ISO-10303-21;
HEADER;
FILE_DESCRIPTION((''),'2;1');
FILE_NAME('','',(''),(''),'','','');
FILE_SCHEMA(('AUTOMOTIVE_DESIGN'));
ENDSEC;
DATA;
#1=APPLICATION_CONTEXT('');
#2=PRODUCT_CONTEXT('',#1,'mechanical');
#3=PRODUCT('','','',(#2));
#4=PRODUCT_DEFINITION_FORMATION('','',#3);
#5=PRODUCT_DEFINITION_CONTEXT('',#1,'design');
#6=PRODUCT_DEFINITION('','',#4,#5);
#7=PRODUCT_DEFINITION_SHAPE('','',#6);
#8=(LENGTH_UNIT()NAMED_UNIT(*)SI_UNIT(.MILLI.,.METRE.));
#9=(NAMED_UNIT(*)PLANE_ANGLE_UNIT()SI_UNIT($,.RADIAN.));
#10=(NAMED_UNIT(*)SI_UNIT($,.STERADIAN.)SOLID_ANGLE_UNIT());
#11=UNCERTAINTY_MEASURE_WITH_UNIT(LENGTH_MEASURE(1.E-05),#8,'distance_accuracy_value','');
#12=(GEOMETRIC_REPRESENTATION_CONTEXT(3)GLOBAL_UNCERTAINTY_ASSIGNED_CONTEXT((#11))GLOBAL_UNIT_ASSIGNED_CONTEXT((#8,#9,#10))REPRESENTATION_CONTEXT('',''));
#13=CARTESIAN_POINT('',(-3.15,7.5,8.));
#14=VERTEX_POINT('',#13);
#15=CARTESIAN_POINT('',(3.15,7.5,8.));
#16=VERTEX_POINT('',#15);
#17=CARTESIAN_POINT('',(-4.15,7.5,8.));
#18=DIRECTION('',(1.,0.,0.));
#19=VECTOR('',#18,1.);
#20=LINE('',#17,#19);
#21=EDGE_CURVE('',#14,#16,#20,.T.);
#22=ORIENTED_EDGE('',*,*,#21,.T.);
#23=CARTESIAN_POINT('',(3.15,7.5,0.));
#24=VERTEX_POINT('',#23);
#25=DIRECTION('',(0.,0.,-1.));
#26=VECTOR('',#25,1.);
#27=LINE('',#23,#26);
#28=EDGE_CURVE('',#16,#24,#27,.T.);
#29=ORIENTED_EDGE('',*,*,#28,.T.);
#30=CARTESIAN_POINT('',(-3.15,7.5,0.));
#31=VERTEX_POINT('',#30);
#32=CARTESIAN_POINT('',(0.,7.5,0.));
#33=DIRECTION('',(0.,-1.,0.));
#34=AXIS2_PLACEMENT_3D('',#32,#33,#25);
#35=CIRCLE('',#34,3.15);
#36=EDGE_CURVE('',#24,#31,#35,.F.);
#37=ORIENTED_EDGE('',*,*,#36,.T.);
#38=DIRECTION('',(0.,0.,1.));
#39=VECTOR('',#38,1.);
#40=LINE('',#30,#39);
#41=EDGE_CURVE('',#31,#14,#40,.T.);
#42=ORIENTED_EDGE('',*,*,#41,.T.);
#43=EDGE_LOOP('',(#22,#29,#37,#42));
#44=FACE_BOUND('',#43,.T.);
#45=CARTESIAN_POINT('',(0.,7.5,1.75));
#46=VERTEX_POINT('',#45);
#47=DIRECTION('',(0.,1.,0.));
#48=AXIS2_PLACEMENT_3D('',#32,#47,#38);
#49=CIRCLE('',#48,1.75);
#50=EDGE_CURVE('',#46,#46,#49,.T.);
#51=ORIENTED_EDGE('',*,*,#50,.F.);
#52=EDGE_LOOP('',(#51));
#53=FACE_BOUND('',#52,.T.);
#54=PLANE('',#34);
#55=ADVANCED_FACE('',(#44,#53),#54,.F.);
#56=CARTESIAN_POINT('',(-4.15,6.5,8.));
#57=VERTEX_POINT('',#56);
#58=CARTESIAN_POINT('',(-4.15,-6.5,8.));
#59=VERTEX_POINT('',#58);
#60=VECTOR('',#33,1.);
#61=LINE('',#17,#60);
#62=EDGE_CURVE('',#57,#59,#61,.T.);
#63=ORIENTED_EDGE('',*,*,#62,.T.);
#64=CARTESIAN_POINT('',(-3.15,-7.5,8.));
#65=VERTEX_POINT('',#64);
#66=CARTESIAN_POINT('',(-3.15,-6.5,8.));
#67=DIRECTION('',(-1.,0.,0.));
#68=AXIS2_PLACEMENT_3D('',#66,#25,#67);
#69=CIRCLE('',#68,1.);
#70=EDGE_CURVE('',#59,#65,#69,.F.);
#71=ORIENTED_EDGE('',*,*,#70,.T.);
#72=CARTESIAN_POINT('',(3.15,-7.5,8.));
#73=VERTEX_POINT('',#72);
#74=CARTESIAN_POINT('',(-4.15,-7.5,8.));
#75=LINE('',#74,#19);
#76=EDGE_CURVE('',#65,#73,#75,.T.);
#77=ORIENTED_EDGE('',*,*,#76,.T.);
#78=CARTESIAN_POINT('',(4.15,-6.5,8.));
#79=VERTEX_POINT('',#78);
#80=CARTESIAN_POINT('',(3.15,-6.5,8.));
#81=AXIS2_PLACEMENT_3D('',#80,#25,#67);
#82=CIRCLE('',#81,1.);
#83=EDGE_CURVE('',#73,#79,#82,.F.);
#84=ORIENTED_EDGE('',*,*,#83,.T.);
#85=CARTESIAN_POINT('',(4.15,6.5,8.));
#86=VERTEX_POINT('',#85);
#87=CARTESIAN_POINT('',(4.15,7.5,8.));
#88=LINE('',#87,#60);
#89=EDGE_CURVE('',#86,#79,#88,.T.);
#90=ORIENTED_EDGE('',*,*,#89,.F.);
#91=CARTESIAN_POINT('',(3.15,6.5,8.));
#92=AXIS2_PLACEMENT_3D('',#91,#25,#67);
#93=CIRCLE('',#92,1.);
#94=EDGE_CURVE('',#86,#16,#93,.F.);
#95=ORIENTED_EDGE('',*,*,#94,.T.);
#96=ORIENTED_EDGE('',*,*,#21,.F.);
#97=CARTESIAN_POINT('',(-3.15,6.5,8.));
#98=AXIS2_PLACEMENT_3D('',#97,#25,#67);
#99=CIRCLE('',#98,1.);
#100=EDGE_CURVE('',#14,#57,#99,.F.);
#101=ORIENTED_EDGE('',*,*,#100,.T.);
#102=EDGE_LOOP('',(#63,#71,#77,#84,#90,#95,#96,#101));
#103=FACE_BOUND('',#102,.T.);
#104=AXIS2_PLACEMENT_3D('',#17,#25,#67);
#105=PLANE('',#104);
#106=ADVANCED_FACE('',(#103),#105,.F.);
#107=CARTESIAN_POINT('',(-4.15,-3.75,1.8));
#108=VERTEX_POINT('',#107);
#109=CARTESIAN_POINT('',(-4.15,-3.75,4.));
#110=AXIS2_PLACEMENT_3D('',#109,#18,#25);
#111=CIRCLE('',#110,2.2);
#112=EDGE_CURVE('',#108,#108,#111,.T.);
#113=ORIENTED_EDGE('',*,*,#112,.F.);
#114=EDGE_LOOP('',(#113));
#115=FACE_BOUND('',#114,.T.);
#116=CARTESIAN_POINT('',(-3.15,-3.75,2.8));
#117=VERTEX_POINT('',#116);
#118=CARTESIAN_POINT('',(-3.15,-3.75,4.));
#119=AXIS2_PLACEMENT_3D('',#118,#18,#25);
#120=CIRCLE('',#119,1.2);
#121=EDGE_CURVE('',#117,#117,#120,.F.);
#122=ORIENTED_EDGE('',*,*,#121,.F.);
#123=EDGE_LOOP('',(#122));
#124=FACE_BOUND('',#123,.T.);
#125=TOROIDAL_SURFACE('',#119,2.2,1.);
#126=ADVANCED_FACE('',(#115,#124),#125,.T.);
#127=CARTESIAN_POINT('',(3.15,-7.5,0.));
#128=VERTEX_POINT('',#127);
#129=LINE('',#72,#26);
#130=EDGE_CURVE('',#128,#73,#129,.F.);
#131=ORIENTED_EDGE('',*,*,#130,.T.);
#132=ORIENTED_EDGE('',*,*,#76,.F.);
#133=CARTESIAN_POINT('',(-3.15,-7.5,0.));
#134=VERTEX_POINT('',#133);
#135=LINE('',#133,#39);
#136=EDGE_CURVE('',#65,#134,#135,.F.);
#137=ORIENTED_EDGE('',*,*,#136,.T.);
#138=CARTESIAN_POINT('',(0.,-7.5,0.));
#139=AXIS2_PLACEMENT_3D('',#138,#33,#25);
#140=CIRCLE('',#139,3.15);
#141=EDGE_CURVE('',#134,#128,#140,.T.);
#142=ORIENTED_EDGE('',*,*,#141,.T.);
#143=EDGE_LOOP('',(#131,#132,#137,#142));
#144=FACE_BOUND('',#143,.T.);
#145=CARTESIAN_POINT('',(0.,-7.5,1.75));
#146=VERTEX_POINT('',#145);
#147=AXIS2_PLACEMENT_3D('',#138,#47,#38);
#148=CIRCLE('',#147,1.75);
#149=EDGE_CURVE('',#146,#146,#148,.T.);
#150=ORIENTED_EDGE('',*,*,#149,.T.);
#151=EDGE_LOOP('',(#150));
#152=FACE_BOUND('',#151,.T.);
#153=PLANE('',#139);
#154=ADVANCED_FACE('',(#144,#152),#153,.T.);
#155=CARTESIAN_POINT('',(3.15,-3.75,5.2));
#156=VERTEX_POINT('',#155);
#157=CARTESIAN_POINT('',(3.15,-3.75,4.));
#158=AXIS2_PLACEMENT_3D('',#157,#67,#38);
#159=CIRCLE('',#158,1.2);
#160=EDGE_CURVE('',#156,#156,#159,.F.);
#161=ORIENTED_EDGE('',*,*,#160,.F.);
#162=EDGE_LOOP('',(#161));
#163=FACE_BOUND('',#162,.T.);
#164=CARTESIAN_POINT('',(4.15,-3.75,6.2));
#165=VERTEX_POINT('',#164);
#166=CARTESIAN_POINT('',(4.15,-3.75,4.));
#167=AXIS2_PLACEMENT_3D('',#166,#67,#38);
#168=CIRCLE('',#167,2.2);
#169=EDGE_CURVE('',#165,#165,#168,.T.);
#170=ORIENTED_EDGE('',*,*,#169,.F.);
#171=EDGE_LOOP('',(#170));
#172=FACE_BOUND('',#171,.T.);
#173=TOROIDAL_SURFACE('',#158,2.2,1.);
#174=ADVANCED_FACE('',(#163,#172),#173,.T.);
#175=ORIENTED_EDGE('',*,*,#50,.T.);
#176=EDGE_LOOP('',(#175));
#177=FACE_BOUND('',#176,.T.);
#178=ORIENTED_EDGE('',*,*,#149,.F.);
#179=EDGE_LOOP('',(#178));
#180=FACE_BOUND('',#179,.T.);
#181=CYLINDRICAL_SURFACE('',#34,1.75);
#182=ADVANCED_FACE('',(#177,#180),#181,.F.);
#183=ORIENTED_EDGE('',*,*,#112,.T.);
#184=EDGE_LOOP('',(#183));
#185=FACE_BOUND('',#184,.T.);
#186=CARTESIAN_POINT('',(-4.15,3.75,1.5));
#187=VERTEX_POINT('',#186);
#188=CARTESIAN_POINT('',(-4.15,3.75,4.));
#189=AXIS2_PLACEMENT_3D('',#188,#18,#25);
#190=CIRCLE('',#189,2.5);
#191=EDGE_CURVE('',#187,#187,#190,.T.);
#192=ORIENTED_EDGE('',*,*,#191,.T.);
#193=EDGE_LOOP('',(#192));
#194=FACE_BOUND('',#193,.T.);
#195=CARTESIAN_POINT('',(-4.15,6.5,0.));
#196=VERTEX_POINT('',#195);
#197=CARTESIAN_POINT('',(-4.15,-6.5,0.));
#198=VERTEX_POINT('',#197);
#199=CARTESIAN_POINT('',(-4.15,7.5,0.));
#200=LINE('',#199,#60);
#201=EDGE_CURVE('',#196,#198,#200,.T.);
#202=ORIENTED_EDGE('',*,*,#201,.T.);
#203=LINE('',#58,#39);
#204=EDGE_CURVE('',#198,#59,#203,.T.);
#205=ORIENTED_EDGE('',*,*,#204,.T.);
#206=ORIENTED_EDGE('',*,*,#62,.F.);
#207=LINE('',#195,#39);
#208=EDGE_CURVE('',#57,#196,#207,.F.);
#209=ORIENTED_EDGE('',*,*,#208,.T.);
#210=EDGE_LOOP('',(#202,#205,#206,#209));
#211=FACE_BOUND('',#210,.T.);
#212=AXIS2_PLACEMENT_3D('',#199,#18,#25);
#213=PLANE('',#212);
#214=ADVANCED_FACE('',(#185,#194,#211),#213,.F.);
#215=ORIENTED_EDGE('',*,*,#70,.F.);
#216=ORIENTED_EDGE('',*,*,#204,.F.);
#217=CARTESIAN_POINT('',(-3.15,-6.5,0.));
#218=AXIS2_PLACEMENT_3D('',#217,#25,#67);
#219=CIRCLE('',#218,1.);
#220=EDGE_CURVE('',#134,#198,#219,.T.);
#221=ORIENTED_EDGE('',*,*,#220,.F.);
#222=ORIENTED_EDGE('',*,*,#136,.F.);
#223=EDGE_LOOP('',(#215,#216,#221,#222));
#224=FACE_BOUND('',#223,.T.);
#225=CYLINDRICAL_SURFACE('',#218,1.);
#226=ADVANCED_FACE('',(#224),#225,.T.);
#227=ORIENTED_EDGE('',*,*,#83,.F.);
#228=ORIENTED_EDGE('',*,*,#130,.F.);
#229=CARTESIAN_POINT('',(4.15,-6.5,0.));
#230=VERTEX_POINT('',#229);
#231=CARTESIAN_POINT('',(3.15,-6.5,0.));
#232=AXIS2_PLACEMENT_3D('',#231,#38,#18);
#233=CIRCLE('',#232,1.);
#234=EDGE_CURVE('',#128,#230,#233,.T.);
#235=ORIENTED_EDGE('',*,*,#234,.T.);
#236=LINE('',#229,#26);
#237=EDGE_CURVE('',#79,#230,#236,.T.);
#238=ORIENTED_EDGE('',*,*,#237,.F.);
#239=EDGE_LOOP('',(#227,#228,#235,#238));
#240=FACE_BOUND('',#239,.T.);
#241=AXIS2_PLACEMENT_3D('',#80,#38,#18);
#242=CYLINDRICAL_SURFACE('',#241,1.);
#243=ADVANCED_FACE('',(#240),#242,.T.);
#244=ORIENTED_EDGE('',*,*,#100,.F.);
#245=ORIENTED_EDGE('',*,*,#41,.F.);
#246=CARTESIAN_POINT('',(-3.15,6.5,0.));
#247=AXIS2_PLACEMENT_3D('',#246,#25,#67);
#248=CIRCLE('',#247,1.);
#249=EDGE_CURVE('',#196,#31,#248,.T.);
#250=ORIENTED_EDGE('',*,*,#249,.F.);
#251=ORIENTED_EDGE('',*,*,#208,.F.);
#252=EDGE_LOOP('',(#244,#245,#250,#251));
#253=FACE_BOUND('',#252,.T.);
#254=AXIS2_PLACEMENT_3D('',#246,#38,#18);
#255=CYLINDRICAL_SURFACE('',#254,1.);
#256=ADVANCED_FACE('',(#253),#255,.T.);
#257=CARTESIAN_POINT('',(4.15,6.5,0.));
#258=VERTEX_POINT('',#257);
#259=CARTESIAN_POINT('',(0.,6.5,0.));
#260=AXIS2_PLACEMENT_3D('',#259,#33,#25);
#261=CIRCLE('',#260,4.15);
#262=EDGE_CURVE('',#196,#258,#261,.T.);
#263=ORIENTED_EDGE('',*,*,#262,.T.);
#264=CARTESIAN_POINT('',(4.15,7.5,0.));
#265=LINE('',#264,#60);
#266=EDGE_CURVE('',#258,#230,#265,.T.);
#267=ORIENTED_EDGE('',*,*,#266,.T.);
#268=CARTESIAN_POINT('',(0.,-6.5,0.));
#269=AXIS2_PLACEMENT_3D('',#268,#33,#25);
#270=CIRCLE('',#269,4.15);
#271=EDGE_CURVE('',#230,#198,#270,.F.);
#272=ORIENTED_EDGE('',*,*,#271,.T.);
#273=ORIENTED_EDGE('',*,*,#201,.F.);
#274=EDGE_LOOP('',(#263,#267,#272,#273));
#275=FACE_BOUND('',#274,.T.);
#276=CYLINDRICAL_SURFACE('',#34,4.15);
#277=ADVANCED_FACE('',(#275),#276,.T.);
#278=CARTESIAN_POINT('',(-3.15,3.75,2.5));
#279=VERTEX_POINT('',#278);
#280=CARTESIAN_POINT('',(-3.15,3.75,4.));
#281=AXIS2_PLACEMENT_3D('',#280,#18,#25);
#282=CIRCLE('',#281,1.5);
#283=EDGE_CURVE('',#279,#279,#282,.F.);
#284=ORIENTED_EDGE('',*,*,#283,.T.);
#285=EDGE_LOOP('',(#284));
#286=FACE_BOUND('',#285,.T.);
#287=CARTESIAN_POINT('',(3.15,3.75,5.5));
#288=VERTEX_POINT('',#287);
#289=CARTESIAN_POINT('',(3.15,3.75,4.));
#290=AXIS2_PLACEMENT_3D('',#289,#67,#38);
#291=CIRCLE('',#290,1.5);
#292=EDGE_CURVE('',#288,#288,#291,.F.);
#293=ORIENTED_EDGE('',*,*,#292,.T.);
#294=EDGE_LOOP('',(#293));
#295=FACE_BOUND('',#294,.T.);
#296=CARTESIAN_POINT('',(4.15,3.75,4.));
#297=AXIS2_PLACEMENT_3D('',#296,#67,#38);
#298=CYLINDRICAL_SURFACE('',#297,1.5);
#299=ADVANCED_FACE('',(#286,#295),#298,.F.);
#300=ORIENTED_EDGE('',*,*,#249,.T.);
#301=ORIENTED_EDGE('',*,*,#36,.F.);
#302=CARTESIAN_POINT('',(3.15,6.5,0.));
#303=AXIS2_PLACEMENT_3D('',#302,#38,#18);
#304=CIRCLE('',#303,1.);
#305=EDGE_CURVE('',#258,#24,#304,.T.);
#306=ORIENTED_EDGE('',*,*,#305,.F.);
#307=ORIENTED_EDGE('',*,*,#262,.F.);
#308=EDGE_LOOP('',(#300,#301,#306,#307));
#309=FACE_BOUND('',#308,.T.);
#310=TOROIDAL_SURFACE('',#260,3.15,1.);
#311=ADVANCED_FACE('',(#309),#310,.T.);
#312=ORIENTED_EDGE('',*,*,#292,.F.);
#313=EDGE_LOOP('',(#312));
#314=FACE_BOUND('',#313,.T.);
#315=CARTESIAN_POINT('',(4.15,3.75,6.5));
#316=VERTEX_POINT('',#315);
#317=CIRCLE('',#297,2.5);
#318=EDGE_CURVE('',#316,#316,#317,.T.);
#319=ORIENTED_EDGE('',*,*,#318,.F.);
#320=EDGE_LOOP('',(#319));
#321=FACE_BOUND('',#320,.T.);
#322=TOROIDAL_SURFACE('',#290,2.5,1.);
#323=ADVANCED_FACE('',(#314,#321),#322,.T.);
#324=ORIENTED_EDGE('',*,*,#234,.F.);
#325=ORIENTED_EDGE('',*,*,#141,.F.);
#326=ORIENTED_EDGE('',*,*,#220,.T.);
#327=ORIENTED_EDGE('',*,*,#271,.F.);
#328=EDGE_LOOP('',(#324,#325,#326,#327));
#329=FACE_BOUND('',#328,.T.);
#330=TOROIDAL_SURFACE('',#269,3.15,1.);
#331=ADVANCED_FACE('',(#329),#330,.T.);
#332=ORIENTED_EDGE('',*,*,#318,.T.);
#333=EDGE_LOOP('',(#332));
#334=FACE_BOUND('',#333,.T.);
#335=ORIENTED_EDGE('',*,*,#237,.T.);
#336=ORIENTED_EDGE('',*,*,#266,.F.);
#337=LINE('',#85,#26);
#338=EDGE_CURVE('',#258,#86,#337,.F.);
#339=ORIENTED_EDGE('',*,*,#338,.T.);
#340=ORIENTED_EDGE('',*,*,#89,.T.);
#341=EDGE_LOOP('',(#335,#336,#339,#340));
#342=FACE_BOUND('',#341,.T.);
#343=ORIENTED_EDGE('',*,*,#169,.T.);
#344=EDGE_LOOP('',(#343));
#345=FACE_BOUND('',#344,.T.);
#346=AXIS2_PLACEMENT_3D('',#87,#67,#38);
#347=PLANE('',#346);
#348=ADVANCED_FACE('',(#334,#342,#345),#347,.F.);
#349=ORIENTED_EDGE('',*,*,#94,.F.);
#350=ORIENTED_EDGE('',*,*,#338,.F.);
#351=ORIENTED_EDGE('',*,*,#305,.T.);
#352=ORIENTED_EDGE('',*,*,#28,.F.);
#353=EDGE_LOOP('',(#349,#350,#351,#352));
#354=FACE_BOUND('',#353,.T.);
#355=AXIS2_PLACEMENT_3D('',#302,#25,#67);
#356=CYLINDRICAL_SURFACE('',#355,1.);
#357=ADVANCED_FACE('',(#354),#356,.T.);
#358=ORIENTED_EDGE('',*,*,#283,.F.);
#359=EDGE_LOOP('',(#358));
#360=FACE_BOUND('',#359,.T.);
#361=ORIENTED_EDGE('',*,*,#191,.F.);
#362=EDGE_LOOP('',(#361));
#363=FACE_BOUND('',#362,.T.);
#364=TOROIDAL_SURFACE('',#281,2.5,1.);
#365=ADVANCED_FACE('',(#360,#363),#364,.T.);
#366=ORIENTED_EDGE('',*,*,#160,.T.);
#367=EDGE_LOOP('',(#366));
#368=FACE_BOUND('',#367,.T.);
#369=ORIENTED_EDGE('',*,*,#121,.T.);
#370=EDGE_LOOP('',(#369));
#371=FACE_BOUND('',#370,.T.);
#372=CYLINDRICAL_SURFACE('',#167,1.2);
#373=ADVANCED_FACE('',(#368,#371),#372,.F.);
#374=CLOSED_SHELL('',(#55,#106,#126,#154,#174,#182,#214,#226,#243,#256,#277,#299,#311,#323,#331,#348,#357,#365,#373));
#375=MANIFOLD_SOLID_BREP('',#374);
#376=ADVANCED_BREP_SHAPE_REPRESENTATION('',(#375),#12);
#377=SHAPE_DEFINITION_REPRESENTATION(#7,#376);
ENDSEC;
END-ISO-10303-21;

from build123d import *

# Parameters (mm, degrees)
SKETCH2_R               = 1.75
BOSS_EXTRUDE1_DEPTH     = 7.5
CUT_EXTRUDE1_DEPTH      = 14.752817893
CUT_EXTRUDE1_DEPTH_BACK = 14.752817893
SKETCH3_R               = 1.2
SKETCH3_R_2             = 1.5
FILLET1_R               = 1
FILLET2_R               = 1


with BuildPart() as part:
    # Sketch2 → Boss-Extrude1 (new, symmetric)
    with BuildSketch(Plane(origin=(0, 0, 0), x_dir=(1, 0, 0), z_dir=(0, 1, 0))):
        with BuildLine():
            Line((-4.15, 0), (-4.15, -8))
            Line((-4.15, -8), (4.15, -8))
            Line((4.15, -8), (4.15, 0))
            ThreePointArc((4.15, 0), (0, 4.15), (-4.15, 0))
        make_face()
        with Locations(Location((0, 0, 0), (0, 0, 270))):
            Circle(SKETCH2_R, mode=Mode.SUBTRACT)
    extrude(amount=BOSS_EXTRUDE1_DEPTH, both=True)

    # Sketch3 → Cut-Extrude1 (cut, two sides: drawn at the far end of the back side and taken through both)
    with BuildSketch(Plane.ZY.offset(4.15).offset(-CUT_EXTRUDE1_DEPTH_BACK)):
        with Locations((4, -3.75)):
            Circle(SKETCH3_R)
        with Locations((4, 3.75)):
            Circle(SKETCH3_R_2)
    extrude(amount=CUT_EXTRUDE1_DEPTH + CUT_EXTRUDE1_DEPTH_BACK, mode=Mode.SUBTRACT)

    # Fillet1
    fillet1_edges = [part.edges().sort_by_distance(p)[0] for p in [
        (4.15, -3.75, 2.8),
        (-4.15, -3.75, 2.8),
        (4.15, 3.75, 2.5),
        (-4.15, 3.75, 2.5),
    ]]
    fillet(fillet1_edges, radius=FILLET1_R)

    # Fillet2
    fillet2_edges = [part.edges().sort_by_distance(p)[0] for p in [
        (4.15, 7.5, 4),
        (0, 7.5, -4.15),
        (4.15, -7.5, 4),
        (-4.15, -7.5, 4),
        (0, -7.5, -4.15),
        (-4.15, 7.5, 4),
    ]]
    fillet(fillet2_edges, radius=FILLET2_R)


solid = part.part
